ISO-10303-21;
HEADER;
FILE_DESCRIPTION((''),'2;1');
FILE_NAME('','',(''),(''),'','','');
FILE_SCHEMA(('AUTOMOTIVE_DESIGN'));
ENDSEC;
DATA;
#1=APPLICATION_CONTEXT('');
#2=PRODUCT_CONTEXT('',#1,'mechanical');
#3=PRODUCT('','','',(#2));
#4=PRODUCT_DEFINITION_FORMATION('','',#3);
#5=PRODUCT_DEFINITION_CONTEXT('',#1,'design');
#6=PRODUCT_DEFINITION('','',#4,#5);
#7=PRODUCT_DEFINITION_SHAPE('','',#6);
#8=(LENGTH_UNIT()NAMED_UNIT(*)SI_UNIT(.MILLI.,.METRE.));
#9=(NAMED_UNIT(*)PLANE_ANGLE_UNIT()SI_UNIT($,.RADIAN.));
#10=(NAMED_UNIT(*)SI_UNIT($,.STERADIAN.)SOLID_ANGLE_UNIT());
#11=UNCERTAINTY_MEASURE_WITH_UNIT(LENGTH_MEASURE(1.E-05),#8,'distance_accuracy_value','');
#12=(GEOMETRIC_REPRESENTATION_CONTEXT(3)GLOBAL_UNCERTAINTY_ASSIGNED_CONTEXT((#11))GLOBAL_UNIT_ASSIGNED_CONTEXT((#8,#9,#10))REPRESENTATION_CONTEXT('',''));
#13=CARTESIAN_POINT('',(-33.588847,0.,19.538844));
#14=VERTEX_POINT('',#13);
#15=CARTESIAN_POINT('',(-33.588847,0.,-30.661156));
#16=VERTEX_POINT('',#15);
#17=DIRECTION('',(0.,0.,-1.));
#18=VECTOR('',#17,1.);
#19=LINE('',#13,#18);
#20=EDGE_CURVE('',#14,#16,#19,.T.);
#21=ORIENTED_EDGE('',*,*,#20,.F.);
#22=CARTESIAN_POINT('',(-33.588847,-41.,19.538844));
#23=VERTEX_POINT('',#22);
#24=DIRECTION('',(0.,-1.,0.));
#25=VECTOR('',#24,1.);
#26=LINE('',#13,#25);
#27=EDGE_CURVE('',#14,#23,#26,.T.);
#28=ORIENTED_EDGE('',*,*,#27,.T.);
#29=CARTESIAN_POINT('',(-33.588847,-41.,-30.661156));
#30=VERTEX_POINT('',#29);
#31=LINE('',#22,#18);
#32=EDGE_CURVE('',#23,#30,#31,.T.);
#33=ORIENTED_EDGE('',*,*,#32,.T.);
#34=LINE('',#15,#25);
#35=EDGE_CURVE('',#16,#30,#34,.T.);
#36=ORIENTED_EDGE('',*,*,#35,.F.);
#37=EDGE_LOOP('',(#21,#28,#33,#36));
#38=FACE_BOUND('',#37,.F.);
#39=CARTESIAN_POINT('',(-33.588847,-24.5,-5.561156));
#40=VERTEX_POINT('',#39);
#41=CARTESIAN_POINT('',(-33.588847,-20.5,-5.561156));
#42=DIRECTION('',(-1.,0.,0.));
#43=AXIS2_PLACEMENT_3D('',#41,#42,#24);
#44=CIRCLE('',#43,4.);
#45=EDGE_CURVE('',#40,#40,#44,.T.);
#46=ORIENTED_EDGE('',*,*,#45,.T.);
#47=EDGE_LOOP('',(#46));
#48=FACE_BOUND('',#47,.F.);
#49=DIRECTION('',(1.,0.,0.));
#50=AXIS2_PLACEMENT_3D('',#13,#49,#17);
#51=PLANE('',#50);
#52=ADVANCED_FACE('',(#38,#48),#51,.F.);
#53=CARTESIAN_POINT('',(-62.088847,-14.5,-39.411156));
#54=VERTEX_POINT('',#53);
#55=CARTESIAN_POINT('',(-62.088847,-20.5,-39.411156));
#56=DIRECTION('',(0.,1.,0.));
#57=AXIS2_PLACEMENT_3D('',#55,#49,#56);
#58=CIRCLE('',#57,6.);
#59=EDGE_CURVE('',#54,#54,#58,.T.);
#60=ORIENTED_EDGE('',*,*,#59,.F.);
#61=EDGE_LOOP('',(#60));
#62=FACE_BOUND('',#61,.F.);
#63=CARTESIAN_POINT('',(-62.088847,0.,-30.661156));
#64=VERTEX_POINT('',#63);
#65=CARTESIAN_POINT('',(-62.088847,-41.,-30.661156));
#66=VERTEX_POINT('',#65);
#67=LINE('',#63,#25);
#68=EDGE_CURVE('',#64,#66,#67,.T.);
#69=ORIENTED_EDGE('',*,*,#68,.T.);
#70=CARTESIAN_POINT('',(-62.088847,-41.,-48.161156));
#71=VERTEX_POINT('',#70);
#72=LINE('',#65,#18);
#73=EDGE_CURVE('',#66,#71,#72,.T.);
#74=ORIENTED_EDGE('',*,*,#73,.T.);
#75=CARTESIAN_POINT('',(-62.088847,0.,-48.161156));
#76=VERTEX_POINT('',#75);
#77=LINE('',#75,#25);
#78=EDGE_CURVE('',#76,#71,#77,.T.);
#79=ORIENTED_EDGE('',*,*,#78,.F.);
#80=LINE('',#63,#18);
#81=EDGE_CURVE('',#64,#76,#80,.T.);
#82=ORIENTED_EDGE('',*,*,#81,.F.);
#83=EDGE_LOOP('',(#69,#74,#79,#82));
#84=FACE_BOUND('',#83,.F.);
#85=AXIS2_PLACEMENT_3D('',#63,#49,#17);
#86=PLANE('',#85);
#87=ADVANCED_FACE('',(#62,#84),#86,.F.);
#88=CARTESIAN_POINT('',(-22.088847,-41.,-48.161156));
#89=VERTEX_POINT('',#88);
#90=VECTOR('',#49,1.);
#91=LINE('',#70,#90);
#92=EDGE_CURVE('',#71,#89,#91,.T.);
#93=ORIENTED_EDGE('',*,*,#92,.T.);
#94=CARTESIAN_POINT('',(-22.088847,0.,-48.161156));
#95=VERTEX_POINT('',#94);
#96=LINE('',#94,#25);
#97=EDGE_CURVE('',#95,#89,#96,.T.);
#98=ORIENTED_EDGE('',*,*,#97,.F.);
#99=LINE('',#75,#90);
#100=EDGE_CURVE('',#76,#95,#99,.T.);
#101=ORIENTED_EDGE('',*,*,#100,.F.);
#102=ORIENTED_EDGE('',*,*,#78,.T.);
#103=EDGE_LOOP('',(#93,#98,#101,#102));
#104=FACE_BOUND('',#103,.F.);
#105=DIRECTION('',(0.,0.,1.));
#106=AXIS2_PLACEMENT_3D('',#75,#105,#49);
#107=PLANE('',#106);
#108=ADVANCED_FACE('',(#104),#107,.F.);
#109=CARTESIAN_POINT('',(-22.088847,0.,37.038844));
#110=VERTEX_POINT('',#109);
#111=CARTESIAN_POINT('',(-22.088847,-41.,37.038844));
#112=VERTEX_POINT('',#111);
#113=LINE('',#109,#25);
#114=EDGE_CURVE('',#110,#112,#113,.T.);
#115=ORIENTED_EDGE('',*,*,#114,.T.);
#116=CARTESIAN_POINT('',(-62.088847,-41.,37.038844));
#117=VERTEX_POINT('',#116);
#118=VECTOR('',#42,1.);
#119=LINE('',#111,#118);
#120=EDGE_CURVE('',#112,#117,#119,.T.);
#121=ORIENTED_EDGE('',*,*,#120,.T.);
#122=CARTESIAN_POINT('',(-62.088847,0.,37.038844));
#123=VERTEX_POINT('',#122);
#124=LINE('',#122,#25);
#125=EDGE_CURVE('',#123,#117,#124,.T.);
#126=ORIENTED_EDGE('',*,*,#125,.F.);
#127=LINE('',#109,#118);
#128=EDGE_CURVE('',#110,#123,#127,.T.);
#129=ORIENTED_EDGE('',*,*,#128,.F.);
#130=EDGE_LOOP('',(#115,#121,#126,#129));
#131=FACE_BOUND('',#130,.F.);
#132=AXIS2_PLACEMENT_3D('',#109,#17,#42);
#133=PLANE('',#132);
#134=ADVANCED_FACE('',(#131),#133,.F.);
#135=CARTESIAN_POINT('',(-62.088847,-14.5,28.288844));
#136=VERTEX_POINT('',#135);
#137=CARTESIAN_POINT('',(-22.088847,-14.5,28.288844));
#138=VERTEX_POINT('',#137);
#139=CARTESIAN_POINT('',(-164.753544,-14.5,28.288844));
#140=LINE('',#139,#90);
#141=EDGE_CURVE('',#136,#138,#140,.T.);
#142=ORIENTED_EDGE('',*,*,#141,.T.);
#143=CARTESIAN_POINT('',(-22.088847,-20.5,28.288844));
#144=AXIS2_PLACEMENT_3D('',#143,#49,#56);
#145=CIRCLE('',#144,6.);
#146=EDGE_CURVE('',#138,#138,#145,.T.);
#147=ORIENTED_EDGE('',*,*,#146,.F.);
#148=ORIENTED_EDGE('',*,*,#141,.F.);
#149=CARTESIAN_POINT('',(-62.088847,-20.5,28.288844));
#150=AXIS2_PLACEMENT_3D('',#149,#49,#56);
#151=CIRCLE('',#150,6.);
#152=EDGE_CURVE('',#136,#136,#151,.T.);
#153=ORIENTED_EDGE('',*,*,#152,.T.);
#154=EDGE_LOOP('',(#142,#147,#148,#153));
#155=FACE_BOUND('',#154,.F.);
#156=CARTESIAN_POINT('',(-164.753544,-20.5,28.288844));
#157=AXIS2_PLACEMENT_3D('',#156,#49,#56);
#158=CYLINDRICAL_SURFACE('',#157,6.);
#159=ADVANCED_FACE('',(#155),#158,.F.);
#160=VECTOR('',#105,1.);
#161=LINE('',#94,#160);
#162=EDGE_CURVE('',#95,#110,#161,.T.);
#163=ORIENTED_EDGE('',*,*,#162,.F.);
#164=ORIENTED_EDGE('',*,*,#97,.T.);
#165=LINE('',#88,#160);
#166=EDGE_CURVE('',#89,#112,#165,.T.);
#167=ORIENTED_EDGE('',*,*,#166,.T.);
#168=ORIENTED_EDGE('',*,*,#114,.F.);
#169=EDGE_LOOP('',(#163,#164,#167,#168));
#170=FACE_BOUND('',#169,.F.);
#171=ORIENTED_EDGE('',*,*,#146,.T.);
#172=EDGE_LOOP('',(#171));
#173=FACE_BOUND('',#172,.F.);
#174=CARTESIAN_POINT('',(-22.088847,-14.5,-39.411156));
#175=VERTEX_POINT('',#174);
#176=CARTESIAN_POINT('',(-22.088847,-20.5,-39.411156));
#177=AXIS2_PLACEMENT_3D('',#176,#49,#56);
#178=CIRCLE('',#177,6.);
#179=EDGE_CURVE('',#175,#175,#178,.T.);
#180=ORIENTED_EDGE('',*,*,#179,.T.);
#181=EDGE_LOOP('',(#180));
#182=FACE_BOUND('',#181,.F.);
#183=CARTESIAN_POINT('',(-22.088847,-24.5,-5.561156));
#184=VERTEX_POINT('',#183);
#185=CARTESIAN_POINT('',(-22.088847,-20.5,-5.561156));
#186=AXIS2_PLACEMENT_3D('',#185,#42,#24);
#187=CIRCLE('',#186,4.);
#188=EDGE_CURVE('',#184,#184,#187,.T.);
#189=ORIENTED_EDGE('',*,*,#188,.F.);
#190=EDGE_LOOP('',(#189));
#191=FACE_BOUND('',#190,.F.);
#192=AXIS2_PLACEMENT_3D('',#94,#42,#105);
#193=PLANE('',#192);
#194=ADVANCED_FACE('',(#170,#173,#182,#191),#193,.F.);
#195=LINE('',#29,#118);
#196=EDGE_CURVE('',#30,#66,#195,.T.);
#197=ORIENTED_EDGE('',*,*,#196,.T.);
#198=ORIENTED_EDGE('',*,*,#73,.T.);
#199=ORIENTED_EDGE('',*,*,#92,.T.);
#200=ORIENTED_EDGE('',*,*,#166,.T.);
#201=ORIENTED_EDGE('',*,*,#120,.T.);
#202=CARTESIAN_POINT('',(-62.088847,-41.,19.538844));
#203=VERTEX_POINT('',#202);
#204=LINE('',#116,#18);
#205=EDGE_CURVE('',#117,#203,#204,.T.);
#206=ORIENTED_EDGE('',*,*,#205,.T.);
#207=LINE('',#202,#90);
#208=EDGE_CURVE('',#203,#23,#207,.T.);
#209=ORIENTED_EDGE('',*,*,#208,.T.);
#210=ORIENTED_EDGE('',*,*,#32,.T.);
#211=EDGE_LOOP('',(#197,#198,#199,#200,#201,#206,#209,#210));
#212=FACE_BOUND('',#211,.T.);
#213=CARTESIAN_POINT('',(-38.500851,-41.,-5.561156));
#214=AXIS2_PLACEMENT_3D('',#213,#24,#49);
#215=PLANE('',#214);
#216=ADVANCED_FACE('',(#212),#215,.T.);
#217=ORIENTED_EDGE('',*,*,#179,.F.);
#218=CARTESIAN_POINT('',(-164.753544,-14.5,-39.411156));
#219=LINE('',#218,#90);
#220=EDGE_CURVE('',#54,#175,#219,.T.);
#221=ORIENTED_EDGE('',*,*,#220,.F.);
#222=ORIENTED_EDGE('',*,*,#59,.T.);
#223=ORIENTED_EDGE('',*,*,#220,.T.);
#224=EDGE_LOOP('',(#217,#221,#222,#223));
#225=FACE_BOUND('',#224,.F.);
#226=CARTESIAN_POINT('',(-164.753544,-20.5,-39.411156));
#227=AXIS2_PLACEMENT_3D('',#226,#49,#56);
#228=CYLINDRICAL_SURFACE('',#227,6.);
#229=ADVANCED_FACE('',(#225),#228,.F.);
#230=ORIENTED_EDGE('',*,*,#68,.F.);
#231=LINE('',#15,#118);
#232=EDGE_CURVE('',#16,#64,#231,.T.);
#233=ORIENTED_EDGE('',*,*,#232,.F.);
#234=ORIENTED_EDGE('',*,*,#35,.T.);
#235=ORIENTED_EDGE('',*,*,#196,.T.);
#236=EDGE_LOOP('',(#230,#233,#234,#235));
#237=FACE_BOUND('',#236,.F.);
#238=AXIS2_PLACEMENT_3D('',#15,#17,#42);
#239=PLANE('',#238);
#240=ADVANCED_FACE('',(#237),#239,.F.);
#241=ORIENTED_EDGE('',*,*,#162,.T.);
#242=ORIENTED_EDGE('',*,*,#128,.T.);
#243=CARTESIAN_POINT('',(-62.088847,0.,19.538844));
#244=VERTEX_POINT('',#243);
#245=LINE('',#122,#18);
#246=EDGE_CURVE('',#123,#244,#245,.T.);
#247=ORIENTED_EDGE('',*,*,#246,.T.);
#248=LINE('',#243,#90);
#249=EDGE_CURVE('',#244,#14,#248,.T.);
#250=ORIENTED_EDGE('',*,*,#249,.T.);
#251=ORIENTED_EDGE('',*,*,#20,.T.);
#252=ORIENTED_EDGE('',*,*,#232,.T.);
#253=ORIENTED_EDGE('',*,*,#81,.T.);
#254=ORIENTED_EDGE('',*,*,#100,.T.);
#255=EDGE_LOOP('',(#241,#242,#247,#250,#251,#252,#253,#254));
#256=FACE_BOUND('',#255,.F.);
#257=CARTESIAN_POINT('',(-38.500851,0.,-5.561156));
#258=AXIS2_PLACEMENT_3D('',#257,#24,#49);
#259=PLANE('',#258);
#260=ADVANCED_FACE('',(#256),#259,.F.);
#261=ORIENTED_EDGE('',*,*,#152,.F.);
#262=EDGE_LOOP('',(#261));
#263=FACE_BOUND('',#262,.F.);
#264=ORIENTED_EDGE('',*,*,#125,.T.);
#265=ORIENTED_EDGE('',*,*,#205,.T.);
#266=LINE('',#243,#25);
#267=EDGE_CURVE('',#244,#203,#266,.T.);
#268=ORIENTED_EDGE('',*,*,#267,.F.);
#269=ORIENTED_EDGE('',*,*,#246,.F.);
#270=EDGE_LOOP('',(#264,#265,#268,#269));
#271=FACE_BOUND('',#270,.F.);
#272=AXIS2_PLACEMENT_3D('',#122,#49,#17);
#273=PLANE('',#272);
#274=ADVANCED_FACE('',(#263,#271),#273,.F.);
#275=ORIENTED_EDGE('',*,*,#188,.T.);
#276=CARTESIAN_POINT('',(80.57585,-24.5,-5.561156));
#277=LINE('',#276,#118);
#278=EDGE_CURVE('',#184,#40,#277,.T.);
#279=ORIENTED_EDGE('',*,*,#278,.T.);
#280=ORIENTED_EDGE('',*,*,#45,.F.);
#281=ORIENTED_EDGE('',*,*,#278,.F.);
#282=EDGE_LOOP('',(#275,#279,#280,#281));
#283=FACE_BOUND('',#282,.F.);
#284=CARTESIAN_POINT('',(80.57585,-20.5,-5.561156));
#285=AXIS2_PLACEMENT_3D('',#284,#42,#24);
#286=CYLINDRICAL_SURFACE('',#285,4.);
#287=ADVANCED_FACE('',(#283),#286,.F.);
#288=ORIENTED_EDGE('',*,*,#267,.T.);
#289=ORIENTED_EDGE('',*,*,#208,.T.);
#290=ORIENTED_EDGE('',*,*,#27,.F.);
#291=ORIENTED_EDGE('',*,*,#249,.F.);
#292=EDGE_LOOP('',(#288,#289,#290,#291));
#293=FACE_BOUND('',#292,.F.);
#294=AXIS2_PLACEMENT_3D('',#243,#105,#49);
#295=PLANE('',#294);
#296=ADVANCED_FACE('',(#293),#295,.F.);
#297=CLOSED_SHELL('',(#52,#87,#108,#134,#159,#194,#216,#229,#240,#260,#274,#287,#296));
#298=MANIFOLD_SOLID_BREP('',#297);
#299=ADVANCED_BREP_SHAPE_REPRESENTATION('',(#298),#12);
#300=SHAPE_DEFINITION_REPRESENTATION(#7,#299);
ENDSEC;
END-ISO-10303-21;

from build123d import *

# Parameters (mm, degrees)
F1_DEPTH = 41
F3_D     = 12
F5_D     = 12
F7_D     = 8


with BuildPart() as f1:
    # F0 (on Front) → F1 (new body)
    with BuildSketch(Plane.XZ):
        Polygon((-22.088847, 37.038844), (-62.088847, 37.038844), (-62.088847, 19.538844), (-33.588847, 19.538844), (-33.588847, -30.661156), (-62.088847, -30.661156), (-62.088847, -48.161156), (-22.088847, -48.161156), align=None)
    extrude(amount=F1_DEPTH)

    # F3 (through all)
    with Locations(Plane(origin=(-62.088847, 0, 0), x_dir=(0, -1, 0), z_dir=(-1, 0, 0))):
        with Locations((20.5, 28.288844)):
            Hole(F3_D / 2)

    # F5 (through all)
    with Locations(Plane(origin=(-62.088847, 0, 0), x_dir=(0, -1, 0), z_dir=(-1, 0, 0))):
        with Locations((20.5, -39.411156)):
            Hole(F5_D / 2)

    # F7 (through all)
    with Locations(Plane.YZ.offset(-22.088847)):
        with Locations((-20.5, -5.561156)):
            Hole(F7_D / 2)


solid = f1.part
